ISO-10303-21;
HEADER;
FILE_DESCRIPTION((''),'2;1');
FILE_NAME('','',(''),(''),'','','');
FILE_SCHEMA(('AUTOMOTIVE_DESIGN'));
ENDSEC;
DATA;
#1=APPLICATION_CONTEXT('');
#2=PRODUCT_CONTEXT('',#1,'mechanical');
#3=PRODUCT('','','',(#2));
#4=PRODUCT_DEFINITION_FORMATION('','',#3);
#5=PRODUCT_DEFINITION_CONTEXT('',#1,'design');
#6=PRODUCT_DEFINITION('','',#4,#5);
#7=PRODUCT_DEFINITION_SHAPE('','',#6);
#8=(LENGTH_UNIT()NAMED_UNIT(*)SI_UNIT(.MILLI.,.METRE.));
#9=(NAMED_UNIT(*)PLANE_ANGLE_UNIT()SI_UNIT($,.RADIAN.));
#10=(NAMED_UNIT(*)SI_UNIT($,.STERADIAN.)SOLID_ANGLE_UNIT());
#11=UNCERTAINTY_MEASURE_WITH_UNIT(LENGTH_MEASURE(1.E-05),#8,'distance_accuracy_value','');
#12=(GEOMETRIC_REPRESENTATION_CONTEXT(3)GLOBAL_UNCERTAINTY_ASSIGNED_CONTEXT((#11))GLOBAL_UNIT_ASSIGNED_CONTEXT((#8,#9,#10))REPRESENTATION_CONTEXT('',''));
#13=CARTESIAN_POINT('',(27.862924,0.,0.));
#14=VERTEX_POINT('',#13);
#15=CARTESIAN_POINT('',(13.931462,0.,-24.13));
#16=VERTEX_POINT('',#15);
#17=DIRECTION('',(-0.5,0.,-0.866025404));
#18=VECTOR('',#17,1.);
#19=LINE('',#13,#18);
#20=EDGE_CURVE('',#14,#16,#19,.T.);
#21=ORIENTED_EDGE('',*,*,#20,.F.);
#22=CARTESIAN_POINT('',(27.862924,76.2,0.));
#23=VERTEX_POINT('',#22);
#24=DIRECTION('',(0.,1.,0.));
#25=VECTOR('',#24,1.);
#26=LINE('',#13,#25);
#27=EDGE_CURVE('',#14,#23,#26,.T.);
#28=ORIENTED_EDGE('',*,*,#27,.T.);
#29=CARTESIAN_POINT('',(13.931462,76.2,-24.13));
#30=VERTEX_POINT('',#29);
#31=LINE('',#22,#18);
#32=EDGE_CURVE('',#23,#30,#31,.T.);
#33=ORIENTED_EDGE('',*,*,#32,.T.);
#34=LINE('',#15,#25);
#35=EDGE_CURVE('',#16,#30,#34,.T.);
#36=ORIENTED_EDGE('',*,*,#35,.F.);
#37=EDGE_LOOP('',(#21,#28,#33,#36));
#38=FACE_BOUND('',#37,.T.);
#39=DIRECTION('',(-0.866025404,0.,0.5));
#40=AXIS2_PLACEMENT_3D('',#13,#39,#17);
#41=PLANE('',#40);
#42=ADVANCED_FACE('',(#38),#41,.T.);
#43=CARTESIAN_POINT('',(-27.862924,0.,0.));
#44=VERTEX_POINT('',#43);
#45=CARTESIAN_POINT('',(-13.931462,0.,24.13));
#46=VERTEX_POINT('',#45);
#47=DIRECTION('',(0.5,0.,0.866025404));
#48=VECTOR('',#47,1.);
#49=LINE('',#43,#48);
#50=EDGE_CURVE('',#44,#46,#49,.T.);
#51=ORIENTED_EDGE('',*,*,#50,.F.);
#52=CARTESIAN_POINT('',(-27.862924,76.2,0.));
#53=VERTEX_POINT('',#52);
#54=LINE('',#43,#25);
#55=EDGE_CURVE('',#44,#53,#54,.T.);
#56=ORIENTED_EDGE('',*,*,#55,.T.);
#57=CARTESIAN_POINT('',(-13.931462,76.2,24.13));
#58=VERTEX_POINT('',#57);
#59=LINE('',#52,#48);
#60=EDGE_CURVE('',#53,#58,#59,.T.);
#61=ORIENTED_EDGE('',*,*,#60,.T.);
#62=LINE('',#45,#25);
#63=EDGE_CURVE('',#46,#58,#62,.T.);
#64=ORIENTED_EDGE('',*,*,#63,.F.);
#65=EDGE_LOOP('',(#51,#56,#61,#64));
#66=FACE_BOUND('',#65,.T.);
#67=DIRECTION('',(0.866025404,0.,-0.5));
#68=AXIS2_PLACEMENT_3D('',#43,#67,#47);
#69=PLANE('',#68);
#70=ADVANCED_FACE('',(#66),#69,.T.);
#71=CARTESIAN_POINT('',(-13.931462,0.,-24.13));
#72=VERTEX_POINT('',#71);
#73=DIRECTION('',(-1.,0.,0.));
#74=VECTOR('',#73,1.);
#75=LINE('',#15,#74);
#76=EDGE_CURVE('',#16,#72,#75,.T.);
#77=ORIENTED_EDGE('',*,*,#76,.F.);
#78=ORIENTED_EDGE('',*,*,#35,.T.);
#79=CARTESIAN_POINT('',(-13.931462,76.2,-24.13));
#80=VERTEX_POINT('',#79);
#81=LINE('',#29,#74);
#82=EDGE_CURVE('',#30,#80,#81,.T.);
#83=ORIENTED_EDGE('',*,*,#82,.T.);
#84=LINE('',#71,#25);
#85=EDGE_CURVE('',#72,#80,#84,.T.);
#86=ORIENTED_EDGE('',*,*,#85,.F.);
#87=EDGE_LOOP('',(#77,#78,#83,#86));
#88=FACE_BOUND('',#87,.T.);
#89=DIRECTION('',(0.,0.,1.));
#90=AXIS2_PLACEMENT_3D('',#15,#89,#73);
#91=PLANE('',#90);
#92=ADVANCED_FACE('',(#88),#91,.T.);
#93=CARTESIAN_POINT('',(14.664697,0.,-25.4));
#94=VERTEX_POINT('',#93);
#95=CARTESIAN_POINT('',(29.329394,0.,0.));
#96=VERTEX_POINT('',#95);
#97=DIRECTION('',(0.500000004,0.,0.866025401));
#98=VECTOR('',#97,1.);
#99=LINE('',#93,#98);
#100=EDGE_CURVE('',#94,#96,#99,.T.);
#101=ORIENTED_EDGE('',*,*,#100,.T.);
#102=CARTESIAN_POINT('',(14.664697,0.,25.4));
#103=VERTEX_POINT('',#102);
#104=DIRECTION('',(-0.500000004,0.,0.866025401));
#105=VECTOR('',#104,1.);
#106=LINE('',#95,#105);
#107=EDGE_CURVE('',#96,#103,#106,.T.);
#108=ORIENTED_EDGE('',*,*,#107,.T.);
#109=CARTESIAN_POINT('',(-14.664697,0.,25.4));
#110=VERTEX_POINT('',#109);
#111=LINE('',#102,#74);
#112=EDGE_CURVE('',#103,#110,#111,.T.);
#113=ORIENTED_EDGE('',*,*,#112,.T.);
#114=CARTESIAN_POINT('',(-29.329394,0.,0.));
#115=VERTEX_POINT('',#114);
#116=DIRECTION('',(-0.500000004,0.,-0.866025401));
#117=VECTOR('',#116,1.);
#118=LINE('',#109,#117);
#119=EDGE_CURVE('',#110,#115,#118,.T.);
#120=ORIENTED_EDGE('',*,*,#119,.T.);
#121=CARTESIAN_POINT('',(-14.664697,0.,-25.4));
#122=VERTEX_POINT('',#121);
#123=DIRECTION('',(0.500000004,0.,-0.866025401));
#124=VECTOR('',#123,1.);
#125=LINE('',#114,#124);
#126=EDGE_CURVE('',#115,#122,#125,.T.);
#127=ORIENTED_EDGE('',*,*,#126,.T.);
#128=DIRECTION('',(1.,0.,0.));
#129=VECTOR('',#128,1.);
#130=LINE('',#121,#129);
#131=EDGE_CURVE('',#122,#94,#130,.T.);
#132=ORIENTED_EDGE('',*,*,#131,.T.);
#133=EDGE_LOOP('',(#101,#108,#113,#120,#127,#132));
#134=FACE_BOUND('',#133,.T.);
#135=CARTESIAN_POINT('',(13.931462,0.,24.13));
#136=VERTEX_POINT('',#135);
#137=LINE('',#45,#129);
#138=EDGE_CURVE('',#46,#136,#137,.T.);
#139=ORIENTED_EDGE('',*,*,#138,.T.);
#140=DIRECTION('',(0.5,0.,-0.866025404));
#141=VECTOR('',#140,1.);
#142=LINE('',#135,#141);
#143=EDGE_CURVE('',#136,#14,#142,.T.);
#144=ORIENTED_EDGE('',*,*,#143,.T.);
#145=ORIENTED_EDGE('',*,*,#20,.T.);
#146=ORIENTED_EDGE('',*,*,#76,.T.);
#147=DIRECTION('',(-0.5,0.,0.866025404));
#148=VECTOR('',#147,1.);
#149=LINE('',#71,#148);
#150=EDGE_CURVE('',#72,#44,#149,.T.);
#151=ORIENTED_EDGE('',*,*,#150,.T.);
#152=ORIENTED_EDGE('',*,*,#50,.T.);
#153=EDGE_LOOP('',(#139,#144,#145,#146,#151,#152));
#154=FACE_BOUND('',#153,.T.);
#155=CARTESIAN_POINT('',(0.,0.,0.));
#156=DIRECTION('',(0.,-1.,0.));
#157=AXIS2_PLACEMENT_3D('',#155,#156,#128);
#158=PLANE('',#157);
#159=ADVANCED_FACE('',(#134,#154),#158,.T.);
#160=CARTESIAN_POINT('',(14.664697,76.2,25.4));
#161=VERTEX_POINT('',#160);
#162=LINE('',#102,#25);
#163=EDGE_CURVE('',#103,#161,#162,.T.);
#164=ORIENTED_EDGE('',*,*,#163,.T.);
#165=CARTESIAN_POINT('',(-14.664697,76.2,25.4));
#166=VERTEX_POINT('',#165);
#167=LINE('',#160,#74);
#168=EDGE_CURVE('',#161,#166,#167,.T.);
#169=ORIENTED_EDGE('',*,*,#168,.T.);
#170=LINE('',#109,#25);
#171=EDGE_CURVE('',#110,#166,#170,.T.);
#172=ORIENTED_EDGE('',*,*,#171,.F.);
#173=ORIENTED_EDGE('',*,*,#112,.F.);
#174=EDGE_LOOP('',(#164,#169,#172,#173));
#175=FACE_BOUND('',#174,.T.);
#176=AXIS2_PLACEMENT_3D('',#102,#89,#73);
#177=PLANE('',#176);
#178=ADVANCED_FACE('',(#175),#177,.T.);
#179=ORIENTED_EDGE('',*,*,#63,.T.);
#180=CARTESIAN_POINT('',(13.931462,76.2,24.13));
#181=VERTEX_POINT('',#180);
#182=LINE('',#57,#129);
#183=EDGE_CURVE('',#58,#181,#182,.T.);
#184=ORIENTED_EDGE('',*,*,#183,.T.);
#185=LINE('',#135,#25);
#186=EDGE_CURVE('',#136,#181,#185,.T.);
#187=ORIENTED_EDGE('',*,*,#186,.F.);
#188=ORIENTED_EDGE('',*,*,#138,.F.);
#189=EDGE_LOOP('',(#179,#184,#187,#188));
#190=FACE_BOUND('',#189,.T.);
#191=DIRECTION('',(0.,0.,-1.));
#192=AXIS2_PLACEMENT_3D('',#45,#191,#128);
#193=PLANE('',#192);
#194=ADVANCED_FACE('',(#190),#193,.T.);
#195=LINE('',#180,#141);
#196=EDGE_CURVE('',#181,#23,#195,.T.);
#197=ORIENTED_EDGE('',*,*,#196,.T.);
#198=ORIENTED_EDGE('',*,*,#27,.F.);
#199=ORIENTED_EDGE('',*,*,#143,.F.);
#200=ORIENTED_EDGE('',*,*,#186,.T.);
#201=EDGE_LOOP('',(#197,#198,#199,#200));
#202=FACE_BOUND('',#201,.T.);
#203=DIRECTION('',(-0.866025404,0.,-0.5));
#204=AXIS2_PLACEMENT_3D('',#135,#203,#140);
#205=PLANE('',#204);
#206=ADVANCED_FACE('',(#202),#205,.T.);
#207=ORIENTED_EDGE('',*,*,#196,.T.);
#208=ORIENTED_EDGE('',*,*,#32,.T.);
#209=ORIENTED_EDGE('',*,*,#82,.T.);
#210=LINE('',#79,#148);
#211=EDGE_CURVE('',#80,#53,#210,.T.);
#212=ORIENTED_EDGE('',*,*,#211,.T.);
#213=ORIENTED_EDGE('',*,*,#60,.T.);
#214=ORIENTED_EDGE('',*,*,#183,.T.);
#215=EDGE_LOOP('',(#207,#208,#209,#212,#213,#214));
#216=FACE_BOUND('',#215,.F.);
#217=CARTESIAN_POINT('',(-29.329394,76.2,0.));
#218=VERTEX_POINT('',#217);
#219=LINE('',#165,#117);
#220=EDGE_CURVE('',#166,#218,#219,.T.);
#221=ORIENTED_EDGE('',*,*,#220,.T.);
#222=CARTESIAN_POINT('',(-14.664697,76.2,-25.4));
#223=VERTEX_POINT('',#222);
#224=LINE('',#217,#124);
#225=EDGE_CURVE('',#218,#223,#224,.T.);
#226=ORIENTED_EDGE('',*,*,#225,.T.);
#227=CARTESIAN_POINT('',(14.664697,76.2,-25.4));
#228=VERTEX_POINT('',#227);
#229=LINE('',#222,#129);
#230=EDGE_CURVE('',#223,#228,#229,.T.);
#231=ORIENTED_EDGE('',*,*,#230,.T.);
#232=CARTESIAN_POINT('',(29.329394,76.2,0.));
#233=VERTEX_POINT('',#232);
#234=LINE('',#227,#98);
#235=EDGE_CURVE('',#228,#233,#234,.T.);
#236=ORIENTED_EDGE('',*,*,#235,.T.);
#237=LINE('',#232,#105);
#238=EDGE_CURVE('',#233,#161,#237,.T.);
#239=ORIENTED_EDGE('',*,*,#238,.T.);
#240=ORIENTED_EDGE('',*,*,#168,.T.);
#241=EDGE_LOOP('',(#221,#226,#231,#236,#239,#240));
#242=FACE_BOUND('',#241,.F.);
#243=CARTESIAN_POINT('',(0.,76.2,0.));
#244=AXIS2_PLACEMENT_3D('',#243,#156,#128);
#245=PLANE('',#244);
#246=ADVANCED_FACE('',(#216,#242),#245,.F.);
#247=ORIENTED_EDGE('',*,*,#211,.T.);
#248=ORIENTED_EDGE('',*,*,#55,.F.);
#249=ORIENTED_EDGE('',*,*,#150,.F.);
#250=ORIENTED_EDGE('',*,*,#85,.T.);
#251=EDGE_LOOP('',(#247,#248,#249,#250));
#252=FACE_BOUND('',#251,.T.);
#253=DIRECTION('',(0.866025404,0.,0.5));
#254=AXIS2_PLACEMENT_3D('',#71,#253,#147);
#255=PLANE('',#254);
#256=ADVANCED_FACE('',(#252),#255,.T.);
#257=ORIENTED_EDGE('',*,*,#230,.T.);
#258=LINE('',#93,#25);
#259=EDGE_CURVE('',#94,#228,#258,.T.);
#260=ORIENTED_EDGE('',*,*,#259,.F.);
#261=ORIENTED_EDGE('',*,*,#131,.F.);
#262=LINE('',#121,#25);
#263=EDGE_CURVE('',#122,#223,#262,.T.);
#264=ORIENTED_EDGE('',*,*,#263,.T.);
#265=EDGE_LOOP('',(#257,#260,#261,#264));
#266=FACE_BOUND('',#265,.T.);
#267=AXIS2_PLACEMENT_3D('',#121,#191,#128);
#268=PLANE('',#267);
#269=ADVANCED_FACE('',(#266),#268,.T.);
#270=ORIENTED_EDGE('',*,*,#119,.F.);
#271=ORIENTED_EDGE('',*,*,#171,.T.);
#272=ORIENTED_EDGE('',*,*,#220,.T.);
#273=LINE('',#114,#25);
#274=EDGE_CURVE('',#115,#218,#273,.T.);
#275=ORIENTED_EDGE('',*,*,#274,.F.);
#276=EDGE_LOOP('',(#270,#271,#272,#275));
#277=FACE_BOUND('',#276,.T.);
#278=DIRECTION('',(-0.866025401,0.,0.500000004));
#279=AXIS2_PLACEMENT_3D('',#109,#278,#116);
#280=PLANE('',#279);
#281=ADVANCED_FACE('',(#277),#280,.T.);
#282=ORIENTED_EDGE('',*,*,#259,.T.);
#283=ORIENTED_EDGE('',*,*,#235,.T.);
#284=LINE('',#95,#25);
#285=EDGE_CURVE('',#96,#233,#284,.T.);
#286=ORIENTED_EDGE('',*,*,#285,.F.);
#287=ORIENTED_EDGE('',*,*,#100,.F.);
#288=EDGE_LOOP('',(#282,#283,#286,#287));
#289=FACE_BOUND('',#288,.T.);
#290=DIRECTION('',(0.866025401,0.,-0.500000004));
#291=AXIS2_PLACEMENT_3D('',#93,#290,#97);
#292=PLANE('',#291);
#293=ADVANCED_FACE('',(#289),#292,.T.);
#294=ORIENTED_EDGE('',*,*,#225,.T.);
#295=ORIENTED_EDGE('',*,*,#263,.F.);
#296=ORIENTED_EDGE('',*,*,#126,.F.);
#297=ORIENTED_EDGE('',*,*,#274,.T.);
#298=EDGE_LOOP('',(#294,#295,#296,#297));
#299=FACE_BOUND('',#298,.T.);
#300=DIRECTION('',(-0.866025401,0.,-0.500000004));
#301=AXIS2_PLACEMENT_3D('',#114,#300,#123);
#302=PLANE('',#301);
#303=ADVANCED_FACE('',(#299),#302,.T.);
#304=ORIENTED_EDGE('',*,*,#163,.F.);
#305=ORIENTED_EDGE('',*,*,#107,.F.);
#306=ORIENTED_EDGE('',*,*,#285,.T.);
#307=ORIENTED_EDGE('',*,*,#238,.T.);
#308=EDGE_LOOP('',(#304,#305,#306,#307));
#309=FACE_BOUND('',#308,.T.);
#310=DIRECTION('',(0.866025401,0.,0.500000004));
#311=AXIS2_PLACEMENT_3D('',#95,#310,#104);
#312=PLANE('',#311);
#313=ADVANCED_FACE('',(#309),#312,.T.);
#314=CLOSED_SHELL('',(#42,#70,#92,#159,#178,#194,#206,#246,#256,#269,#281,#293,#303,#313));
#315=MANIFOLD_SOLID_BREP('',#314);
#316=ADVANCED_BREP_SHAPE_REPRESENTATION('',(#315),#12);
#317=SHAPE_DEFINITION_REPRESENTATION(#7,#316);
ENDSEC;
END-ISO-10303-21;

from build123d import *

# Parameters (mm, degrees)
F1_DEPTH = 76.2


with BuildPart() as f1:
    # F0 (on Front) → F1 (new body)
    with BuildSketch(Plane.XZ):
        Polygon((29.329394, 0), (14.664697, 25.4), (-14.664697, 25.4), (-29.329394, 0), (-14.664697, -25.4), (14.664697, -25.4), align=None)
        Polygon((-13.931462, -24.13), (-27.862924, 0), (-13.931462, 24.13), (13.931462, 24.13), (27.862924, 0), (13.931462, -24.13), align=None, mode=Mode.SUBTRACT)
    extrude(amount=-F1_DEPTH)


solid = f1.part
